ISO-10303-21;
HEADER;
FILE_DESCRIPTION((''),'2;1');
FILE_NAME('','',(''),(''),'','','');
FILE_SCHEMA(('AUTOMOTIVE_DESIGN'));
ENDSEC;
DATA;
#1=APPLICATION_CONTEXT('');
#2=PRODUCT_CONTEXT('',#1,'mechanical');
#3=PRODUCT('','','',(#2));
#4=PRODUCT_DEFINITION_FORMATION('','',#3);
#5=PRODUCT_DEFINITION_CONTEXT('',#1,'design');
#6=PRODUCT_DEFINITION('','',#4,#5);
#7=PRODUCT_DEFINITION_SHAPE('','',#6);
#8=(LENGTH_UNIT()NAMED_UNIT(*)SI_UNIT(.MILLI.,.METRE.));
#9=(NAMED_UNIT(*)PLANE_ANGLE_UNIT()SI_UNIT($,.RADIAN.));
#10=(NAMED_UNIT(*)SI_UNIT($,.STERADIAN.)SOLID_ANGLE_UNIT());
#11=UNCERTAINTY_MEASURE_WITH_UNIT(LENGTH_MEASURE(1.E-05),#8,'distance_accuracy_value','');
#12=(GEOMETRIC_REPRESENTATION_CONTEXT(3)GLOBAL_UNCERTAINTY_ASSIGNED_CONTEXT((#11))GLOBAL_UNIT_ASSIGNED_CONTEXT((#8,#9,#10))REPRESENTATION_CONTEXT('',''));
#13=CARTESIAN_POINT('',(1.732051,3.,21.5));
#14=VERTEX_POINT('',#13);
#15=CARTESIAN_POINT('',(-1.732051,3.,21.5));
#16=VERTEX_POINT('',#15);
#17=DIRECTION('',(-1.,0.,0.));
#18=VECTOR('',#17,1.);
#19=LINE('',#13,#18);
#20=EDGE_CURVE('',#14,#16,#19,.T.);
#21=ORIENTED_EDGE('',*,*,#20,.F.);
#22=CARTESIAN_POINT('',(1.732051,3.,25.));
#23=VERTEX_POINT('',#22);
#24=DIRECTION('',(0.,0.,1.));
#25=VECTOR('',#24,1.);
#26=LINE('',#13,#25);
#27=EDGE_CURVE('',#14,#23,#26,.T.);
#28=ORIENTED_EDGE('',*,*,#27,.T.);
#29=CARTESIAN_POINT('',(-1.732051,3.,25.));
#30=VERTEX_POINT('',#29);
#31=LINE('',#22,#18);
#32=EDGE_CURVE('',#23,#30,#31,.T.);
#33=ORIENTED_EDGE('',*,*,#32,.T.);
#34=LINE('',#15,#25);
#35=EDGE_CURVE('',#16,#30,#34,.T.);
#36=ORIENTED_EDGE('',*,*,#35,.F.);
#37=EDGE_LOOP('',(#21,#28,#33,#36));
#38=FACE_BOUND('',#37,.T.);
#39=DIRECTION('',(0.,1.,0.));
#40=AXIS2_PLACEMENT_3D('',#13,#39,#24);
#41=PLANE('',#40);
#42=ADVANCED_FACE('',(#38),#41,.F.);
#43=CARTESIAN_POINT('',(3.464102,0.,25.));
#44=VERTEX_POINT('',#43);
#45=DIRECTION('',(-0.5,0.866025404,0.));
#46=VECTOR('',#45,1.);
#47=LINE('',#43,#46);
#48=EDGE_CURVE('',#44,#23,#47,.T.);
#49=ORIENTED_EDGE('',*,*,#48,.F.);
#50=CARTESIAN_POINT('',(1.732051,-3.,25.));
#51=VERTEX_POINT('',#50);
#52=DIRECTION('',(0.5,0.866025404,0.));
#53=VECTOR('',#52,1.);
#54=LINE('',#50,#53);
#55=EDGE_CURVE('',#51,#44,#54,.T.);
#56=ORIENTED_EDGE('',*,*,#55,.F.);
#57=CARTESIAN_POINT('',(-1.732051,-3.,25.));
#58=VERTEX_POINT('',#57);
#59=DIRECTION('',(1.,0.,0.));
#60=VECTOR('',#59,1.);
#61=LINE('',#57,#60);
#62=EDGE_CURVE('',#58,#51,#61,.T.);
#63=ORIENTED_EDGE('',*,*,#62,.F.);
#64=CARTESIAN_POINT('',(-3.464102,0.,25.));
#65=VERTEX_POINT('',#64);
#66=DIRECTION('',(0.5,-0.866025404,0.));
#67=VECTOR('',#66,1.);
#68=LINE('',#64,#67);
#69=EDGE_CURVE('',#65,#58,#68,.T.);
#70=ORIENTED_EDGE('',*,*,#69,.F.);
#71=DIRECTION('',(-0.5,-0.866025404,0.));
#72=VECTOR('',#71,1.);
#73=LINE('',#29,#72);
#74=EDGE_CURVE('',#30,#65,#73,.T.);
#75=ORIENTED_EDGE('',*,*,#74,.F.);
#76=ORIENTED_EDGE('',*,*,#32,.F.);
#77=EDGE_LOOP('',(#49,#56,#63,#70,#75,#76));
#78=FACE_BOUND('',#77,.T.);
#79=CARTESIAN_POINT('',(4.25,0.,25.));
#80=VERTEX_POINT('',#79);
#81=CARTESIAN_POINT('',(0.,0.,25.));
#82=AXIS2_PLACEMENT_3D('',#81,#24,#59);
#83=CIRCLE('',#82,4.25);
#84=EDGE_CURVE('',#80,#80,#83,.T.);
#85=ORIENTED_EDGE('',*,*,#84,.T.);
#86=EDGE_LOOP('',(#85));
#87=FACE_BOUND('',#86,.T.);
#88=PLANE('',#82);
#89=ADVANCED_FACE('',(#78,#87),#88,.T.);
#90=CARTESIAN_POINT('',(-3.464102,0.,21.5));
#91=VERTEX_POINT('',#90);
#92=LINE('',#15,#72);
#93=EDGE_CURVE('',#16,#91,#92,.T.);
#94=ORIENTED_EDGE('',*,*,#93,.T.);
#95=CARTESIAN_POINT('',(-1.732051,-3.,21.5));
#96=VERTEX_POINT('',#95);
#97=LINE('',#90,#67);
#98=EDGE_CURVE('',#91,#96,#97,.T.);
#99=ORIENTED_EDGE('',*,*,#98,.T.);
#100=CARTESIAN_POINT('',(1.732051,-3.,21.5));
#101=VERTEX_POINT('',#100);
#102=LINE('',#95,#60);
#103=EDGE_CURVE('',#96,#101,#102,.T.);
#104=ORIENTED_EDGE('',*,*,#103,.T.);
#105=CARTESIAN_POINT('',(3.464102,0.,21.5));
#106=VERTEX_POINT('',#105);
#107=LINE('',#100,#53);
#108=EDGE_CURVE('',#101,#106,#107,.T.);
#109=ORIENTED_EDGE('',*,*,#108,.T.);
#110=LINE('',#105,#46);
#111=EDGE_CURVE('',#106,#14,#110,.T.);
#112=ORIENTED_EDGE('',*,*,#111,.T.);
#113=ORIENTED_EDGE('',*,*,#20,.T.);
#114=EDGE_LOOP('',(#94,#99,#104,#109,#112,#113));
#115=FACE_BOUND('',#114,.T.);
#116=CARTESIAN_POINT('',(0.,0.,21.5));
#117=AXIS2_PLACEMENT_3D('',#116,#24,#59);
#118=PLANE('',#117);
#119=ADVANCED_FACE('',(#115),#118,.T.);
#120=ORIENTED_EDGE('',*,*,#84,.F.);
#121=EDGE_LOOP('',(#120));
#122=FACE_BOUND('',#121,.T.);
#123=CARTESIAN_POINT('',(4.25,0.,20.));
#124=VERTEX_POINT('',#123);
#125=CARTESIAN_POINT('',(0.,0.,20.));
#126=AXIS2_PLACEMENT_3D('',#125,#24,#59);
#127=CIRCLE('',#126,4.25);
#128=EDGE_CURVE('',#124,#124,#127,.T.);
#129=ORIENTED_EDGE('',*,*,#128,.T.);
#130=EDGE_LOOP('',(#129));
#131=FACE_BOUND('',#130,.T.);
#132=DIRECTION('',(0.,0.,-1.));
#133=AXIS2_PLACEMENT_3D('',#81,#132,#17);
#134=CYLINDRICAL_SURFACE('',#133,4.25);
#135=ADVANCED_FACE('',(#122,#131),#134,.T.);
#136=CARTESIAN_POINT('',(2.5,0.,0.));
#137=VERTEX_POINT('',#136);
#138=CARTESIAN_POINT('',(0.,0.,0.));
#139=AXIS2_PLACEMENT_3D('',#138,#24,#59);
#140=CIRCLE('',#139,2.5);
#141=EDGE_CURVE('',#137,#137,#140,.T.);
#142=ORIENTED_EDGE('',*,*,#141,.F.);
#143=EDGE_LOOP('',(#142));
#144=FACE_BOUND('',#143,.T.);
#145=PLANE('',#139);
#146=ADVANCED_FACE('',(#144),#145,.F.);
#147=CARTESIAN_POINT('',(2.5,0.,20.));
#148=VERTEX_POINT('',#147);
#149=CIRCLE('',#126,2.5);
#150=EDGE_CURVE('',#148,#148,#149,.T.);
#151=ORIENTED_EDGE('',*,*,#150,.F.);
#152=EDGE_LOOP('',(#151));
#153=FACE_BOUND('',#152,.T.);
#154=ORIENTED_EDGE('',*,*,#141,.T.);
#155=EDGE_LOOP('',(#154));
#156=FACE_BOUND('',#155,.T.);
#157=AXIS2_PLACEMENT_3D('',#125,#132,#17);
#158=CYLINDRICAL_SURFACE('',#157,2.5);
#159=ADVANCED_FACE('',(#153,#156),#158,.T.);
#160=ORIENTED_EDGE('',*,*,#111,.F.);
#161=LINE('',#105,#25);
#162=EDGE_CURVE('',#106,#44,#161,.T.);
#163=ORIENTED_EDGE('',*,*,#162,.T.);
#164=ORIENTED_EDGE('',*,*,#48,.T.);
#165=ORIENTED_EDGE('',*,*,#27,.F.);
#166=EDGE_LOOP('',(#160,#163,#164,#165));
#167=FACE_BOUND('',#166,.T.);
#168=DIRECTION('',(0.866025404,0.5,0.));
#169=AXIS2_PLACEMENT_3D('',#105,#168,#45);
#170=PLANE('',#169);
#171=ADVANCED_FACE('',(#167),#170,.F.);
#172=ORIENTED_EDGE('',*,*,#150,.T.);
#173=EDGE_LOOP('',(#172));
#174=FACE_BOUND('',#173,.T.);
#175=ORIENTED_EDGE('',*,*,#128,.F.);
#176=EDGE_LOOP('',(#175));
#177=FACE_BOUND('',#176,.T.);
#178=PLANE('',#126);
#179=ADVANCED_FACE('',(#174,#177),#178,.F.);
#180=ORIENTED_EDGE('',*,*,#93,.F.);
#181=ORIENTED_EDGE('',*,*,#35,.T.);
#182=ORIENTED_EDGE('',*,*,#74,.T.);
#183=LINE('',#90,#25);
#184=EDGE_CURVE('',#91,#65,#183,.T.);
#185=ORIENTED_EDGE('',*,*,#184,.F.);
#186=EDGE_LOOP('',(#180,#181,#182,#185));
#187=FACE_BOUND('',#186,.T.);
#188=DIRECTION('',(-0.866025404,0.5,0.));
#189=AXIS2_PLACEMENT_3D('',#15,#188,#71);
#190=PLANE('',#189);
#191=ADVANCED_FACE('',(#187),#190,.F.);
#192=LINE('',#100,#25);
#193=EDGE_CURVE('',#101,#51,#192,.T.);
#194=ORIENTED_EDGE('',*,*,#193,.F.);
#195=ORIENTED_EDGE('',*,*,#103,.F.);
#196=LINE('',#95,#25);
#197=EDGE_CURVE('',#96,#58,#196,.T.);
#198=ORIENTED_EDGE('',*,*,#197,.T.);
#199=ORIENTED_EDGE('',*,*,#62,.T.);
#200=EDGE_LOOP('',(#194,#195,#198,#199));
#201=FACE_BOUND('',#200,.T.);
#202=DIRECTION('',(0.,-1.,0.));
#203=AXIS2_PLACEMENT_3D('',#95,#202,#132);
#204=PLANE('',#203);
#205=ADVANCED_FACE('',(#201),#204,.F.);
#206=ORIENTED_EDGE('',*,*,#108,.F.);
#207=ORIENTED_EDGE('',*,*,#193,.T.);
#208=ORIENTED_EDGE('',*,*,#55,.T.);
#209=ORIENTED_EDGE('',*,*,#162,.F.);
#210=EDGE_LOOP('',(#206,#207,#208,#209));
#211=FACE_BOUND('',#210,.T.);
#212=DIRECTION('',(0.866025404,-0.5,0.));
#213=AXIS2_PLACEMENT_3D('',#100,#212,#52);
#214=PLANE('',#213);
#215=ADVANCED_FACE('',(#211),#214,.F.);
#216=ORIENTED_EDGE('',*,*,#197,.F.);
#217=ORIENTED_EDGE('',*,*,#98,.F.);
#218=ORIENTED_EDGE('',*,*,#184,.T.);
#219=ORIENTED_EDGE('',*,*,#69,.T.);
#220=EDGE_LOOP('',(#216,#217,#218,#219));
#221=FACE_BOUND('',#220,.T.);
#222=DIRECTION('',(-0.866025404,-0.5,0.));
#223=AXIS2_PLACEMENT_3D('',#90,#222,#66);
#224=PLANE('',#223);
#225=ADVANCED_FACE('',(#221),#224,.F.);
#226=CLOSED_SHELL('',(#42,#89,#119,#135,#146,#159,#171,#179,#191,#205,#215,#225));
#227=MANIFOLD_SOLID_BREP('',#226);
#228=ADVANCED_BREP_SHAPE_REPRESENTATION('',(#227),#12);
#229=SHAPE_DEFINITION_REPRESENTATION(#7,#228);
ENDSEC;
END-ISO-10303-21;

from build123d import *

# Parameters (mm, degrees)
ESQUISSE1_R             = 2.5
BOSS_EXTRU_1_DEPTH      = 20
ESQUISSE2_R             = 4.25
BOSS_EXTRU_2_DEPTH      = 5
ENL_V_MAT_EXTRU_1_DEPTH = 3.5


with BuildPart() as part:
    # Esquisse1 → Boss.-Extru.1 (new body)
    with BuildSketch(Plane.XY):
        Circle(ESQUISSE1_R)
    extrude(amount=BOSS_EXTRU_1_DEPTH)

    # Esquisse2 → Boss.-Extru.2 (add)
    with BuildSketch(Plane.XY.offset(20)):
        Circle(ESQUISSE2_R)
    extrude(amount=BOSS_EXTRU_2_DEPTH)

    # Esquisse3 → Enlèv. mat.-Extru.1 (cut)
    with BuildSketch(Plane.XY.offset(25)):
        Polygon((3.464101615, 0), (1.732050808, 3), (-1.732050808, 3), (-3.464101615, 0), (-1.732050808, -3), (1.732050808, -3), align=None)
    extrude(amount=-ENL_V_MAT_EXTRU_1_DEPTH, mode=Mode.SUBTRACT)


solid = part.part
